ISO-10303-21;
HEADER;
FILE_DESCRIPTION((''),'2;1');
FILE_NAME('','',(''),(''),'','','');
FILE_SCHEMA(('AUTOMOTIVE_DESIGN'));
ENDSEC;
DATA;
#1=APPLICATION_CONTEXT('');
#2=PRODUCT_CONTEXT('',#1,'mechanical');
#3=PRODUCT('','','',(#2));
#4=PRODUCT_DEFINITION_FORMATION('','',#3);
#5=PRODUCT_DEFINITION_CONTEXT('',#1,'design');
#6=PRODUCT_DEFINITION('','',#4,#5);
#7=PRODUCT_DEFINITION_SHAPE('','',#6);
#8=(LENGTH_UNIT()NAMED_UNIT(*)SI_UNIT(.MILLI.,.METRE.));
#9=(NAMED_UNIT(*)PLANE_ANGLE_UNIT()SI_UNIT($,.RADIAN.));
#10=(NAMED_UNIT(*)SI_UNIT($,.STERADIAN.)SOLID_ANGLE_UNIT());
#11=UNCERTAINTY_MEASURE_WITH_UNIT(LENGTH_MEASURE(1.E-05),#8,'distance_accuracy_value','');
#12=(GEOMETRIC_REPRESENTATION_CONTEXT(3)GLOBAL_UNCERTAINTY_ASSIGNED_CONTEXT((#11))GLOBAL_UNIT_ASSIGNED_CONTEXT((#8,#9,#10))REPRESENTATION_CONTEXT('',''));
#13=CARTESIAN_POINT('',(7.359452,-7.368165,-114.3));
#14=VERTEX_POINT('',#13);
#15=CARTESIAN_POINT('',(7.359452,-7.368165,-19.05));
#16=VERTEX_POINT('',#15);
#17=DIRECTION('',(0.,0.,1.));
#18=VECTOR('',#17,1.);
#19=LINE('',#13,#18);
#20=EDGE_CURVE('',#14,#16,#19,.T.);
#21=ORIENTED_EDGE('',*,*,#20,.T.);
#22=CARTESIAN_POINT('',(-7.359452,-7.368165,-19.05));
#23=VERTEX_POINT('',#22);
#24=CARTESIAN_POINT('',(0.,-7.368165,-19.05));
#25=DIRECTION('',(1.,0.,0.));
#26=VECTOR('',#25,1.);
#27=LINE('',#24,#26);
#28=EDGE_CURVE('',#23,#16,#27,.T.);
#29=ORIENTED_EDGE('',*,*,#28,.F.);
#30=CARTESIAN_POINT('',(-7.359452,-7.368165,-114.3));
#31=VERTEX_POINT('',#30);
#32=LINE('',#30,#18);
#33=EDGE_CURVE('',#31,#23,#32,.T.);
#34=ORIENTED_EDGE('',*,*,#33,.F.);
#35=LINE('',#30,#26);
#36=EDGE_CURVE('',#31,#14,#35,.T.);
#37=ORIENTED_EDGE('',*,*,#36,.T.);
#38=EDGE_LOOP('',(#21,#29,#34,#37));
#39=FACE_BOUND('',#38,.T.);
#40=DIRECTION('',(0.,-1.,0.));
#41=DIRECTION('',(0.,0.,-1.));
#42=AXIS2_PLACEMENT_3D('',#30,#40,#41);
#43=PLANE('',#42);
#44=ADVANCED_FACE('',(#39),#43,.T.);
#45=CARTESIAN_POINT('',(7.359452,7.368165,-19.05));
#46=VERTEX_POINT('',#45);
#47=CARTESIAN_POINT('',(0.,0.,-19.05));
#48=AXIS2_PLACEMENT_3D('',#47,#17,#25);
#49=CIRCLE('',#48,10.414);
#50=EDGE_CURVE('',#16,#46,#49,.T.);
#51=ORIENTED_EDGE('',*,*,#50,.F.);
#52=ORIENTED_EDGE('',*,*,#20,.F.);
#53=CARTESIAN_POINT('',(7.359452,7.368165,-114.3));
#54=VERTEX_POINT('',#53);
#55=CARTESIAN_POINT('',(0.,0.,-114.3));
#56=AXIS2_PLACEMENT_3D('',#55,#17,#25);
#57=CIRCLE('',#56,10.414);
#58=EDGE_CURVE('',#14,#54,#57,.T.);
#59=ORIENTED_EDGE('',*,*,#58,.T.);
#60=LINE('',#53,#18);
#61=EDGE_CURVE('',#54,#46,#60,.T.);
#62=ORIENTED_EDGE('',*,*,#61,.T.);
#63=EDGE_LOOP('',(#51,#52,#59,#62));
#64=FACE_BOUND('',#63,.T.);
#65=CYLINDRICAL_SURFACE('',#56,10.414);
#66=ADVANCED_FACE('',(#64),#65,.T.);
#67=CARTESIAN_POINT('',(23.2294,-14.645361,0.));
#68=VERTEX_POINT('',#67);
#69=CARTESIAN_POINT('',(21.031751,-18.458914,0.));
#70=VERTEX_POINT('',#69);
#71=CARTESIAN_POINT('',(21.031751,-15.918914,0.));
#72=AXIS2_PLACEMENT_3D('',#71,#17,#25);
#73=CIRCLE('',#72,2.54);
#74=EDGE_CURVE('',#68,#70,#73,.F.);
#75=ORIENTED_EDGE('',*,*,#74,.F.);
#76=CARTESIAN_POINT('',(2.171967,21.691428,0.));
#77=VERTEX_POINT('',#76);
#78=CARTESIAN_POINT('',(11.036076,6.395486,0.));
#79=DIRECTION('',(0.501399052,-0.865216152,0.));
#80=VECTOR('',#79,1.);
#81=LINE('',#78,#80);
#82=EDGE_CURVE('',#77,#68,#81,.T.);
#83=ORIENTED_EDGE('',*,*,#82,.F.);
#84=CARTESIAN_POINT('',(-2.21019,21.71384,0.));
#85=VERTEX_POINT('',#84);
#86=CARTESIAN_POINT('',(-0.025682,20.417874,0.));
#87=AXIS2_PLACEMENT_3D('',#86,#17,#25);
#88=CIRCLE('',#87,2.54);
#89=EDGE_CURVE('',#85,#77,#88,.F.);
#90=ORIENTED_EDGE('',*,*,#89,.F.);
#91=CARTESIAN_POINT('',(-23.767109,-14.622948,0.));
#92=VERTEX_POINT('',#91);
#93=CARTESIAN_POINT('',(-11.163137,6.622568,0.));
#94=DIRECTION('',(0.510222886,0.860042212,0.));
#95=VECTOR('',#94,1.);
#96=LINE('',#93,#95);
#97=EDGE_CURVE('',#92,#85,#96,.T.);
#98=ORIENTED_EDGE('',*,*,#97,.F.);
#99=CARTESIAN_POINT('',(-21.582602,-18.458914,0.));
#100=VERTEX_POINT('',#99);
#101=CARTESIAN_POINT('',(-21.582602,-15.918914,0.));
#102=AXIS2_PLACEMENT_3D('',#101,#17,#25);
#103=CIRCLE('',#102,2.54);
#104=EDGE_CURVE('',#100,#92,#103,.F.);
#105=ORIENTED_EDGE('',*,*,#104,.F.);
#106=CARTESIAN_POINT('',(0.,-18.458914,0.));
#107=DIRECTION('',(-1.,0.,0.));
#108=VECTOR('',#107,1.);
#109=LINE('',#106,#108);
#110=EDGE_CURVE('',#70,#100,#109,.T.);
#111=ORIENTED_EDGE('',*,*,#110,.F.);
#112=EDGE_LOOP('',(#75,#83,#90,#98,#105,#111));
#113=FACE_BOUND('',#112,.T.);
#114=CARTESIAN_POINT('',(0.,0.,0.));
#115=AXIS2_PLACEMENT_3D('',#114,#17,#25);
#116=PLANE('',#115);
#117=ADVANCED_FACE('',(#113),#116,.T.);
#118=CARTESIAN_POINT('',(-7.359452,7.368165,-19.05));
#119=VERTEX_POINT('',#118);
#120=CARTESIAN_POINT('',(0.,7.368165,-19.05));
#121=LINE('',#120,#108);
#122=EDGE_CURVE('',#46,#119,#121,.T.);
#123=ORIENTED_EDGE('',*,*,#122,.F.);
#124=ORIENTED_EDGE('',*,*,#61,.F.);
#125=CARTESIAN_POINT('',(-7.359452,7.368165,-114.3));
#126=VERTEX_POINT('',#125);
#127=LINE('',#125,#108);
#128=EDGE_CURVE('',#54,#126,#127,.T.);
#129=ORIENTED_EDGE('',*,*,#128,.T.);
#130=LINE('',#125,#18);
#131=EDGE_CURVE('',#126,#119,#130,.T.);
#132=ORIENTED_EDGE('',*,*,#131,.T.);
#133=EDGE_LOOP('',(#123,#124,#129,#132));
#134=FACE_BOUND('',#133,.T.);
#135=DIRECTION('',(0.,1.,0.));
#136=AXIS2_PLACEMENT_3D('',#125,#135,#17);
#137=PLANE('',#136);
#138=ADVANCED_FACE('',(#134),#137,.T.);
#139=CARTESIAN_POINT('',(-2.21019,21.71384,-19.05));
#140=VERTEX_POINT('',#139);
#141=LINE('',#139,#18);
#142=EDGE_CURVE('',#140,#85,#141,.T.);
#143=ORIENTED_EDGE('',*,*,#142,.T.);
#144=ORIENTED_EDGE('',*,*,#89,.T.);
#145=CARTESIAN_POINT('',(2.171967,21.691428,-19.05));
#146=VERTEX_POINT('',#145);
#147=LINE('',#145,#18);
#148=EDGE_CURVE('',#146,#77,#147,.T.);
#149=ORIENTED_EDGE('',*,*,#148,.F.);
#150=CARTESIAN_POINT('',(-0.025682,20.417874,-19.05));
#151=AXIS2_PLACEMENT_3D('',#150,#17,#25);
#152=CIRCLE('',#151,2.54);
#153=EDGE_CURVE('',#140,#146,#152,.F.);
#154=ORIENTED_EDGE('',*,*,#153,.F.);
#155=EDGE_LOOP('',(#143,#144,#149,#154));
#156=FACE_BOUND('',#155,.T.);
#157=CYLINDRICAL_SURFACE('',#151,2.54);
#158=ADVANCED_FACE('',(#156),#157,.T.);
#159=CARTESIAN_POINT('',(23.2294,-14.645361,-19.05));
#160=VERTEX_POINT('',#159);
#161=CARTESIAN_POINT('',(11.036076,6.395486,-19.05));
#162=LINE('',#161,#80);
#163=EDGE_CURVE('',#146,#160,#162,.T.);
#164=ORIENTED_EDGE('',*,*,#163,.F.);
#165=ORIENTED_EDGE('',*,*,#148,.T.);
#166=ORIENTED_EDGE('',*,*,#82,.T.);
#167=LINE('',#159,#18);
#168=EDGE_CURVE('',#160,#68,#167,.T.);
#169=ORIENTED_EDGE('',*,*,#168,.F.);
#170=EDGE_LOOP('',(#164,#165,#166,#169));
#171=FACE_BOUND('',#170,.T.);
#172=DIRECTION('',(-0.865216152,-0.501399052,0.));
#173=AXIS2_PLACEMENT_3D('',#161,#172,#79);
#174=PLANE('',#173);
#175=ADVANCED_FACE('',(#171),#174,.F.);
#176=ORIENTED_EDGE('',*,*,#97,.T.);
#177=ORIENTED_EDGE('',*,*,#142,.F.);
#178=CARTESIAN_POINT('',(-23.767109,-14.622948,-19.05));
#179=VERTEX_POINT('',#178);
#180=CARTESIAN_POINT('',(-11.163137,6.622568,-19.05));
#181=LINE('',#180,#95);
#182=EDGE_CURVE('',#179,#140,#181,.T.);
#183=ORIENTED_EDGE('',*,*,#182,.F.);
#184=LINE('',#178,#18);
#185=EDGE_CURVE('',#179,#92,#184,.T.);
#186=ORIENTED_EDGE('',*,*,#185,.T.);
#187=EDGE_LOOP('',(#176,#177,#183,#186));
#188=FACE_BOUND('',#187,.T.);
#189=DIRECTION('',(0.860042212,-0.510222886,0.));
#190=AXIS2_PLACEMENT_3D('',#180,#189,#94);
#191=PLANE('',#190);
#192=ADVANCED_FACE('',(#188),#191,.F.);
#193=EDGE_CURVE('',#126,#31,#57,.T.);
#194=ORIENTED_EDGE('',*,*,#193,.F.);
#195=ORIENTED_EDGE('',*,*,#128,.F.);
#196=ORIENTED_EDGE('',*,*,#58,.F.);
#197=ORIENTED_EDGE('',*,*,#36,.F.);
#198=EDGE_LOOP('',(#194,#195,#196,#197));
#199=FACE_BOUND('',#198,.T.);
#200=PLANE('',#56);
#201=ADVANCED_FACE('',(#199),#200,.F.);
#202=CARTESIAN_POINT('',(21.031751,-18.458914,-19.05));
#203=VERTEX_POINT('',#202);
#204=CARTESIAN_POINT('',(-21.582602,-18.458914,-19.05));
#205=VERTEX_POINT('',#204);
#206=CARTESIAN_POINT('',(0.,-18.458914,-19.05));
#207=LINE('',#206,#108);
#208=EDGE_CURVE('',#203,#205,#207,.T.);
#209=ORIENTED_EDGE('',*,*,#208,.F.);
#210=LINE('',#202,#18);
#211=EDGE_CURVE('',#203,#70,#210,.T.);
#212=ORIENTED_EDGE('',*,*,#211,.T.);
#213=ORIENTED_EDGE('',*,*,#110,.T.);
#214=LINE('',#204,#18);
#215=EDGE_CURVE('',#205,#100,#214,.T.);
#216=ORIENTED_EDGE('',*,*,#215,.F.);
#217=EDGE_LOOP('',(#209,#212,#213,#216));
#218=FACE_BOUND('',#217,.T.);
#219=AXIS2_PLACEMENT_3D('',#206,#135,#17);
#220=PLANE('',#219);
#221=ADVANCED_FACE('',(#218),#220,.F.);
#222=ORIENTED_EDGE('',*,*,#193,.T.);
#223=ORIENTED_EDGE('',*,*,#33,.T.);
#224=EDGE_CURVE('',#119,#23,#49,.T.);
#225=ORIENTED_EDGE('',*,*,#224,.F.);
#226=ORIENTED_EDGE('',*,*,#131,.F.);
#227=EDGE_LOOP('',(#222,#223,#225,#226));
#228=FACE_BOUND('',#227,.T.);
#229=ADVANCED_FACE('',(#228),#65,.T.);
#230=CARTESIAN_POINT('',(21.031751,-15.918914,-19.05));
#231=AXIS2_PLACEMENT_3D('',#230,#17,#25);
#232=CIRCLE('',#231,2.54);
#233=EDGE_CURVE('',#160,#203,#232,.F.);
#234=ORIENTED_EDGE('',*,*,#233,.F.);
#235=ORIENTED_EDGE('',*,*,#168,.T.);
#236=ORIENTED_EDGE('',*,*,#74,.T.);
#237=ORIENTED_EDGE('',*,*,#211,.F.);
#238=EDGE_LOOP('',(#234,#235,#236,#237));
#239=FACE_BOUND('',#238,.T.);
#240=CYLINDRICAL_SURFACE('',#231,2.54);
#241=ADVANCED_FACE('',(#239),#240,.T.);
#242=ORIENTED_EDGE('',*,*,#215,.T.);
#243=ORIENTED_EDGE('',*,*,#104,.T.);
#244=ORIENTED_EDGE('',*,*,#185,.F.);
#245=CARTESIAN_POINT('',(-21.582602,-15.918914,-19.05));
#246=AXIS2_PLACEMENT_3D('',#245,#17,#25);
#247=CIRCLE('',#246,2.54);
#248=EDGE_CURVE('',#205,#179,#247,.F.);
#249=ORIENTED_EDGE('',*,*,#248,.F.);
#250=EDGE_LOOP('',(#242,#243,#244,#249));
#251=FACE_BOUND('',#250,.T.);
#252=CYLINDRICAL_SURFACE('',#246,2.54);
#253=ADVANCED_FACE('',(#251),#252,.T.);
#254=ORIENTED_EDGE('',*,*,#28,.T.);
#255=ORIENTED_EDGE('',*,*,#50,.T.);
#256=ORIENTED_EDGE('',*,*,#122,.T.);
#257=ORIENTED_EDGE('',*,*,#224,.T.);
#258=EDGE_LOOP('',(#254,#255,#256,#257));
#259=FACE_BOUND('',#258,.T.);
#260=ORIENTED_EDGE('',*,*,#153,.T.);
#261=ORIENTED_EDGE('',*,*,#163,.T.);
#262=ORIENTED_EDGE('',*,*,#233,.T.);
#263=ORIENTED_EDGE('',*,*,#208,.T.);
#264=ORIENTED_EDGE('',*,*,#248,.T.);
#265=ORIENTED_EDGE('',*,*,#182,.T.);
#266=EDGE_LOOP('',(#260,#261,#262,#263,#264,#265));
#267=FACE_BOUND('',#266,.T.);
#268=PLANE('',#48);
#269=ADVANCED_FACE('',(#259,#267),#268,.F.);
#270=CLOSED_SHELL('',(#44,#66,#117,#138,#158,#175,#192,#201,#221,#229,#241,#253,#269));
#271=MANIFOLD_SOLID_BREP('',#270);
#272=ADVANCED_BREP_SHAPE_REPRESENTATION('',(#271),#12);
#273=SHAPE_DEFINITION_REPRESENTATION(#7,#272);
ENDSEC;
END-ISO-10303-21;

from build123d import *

# Parameters (mm, degrees)
BOSS_EXTRUDE1_DEPTH = 114.3
BOSS_EXTRUDE2_DEPTH = 19.05


with BuildPart() as part:
    # Sketch1 → Boss-Extrude1 (new body)
    with BuildSketch(Plane.XY):
        with BuildLine():
            Line((-7.359452383, -7.368165079), (7.359452383, -7.368165079))
            ThreePointArc((7.359452383, -7.368165079), (10.414, 0), (7.359452383, 7.368165079))
            Line((7.359452383, 7.368165079), (-7.359452383, 7.368165079))
            ThreePointArc((-7.359452383, 7.368165079), (-10.414, 0), (-7.359452383, -7.368165079))
        make_face()
    extrude(amount=-BOSS_EXTRUDE1_DEPTH)

    # Sketch2 → Boss-Extrude2 (add)
    with BuildSketch(Plane.XY):
        with BuildLine():
            Line((2.171966529, 21.691427715), (23.229399553, -14.6453605))
            ThreePointArc((23.229399553, -14.6453605), (23.232480647, -17.187136052), (21.031750526, -18.458914093))
            Line((21.031750526, -18.458914093), (-21.582602225, -18.458914093))
            ThreePointArc((-21.582602225, -18.458914093), (-23.789789798, -17.175863979), (-23.767109444, -14.622947964))
            Line((-23.767109444, -14.622947964), (-2.210189717, 21.713840251))
            ThreePointArc((-2.210189717, 21.713840251), (-0.012691839, 22.957840901), (2.171966529, 21.691427715))
        make_face()
    extrude(amount=-BOSS_EXTRUDE2_DEPTH)


solid = part.part
